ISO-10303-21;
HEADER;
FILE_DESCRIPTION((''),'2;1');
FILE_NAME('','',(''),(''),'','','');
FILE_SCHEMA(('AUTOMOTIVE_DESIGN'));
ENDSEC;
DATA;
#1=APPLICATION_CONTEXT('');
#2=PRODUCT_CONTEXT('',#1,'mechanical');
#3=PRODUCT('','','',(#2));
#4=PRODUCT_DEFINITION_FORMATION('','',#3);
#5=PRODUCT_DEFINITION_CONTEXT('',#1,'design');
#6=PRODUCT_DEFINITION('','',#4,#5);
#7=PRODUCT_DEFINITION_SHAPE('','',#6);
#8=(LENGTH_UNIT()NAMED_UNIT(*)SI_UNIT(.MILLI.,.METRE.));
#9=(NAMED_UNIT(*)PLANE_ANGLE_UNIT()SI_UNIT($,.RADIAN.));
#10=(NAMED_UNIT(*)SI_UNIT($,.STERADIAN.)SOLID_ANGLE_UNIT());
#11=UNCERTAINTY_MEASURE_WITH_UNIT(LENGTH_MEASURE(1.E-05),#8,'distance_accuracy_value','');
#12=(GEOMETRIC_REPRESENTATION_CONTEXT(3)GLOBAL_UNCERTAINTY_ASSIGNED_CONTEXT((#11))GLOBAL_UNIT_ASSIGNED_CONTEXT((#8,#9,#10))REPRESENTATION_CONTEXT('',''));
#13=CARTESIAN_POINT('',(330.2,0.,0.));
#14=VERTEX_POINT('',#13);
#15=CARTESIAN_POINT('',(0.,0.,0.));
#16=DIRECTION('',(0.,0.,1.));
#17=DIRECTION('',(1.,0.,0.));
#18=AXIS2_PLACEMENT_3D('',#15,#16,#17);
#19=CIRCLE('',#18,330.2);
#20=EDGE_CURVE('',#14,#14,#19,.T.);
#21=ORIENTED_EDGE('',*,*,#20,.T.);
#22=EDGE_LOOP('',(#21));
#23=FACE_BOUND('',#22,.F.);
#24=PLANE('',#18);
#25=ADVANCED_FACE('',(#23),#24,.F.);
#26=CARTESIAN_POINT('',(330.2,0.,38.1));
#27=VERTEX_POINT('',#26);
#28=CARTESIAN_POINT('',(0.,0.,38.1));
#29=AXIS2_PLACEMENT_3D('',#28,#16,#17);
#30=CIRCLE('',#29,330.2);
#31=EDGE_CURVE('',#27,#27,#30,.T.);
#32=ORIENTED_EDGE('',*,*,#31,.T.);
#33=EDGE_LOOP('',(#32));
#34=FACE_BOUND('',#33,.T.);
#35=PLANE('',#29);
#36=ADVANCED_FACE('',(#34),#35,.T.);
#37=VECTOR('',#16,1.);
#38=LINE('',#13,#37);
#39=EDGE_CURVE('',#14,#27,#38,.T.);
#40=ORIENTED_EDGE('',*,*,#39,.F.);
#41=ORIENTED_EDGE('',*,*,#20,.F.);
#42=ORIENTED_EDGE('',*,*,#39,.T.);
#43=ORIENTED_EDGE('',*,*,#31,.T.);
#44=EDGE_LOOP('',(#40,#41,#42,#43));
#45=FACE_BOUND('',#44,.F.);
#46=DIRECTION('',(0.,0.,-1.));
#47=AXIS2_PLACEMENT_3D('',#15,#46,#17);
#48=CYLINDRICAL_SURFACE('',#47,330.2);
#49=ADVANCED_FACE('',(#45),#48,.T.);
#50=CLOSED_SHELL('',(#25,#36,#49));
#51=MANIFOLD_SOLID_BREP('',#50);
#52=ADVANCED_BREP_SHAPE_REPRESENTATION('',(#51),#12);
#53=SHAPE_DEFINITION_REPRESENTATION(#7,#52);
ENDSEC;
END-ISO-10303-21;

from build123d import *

# Parameters (mm, degrees)
SKETCH1_R           = 330.2
BOSS_EXTRUDE1_DEPTH = 38.1


with BuildPart() as part:
    # Sketch1 → Boss-Extrude1 (new body)
    with BuildSketch(Plane.XY):
        Circle(SKETCH1_R)
    extrude(amount=BOSS_EXTRUDE1_DEPTH)


solid = part.part
